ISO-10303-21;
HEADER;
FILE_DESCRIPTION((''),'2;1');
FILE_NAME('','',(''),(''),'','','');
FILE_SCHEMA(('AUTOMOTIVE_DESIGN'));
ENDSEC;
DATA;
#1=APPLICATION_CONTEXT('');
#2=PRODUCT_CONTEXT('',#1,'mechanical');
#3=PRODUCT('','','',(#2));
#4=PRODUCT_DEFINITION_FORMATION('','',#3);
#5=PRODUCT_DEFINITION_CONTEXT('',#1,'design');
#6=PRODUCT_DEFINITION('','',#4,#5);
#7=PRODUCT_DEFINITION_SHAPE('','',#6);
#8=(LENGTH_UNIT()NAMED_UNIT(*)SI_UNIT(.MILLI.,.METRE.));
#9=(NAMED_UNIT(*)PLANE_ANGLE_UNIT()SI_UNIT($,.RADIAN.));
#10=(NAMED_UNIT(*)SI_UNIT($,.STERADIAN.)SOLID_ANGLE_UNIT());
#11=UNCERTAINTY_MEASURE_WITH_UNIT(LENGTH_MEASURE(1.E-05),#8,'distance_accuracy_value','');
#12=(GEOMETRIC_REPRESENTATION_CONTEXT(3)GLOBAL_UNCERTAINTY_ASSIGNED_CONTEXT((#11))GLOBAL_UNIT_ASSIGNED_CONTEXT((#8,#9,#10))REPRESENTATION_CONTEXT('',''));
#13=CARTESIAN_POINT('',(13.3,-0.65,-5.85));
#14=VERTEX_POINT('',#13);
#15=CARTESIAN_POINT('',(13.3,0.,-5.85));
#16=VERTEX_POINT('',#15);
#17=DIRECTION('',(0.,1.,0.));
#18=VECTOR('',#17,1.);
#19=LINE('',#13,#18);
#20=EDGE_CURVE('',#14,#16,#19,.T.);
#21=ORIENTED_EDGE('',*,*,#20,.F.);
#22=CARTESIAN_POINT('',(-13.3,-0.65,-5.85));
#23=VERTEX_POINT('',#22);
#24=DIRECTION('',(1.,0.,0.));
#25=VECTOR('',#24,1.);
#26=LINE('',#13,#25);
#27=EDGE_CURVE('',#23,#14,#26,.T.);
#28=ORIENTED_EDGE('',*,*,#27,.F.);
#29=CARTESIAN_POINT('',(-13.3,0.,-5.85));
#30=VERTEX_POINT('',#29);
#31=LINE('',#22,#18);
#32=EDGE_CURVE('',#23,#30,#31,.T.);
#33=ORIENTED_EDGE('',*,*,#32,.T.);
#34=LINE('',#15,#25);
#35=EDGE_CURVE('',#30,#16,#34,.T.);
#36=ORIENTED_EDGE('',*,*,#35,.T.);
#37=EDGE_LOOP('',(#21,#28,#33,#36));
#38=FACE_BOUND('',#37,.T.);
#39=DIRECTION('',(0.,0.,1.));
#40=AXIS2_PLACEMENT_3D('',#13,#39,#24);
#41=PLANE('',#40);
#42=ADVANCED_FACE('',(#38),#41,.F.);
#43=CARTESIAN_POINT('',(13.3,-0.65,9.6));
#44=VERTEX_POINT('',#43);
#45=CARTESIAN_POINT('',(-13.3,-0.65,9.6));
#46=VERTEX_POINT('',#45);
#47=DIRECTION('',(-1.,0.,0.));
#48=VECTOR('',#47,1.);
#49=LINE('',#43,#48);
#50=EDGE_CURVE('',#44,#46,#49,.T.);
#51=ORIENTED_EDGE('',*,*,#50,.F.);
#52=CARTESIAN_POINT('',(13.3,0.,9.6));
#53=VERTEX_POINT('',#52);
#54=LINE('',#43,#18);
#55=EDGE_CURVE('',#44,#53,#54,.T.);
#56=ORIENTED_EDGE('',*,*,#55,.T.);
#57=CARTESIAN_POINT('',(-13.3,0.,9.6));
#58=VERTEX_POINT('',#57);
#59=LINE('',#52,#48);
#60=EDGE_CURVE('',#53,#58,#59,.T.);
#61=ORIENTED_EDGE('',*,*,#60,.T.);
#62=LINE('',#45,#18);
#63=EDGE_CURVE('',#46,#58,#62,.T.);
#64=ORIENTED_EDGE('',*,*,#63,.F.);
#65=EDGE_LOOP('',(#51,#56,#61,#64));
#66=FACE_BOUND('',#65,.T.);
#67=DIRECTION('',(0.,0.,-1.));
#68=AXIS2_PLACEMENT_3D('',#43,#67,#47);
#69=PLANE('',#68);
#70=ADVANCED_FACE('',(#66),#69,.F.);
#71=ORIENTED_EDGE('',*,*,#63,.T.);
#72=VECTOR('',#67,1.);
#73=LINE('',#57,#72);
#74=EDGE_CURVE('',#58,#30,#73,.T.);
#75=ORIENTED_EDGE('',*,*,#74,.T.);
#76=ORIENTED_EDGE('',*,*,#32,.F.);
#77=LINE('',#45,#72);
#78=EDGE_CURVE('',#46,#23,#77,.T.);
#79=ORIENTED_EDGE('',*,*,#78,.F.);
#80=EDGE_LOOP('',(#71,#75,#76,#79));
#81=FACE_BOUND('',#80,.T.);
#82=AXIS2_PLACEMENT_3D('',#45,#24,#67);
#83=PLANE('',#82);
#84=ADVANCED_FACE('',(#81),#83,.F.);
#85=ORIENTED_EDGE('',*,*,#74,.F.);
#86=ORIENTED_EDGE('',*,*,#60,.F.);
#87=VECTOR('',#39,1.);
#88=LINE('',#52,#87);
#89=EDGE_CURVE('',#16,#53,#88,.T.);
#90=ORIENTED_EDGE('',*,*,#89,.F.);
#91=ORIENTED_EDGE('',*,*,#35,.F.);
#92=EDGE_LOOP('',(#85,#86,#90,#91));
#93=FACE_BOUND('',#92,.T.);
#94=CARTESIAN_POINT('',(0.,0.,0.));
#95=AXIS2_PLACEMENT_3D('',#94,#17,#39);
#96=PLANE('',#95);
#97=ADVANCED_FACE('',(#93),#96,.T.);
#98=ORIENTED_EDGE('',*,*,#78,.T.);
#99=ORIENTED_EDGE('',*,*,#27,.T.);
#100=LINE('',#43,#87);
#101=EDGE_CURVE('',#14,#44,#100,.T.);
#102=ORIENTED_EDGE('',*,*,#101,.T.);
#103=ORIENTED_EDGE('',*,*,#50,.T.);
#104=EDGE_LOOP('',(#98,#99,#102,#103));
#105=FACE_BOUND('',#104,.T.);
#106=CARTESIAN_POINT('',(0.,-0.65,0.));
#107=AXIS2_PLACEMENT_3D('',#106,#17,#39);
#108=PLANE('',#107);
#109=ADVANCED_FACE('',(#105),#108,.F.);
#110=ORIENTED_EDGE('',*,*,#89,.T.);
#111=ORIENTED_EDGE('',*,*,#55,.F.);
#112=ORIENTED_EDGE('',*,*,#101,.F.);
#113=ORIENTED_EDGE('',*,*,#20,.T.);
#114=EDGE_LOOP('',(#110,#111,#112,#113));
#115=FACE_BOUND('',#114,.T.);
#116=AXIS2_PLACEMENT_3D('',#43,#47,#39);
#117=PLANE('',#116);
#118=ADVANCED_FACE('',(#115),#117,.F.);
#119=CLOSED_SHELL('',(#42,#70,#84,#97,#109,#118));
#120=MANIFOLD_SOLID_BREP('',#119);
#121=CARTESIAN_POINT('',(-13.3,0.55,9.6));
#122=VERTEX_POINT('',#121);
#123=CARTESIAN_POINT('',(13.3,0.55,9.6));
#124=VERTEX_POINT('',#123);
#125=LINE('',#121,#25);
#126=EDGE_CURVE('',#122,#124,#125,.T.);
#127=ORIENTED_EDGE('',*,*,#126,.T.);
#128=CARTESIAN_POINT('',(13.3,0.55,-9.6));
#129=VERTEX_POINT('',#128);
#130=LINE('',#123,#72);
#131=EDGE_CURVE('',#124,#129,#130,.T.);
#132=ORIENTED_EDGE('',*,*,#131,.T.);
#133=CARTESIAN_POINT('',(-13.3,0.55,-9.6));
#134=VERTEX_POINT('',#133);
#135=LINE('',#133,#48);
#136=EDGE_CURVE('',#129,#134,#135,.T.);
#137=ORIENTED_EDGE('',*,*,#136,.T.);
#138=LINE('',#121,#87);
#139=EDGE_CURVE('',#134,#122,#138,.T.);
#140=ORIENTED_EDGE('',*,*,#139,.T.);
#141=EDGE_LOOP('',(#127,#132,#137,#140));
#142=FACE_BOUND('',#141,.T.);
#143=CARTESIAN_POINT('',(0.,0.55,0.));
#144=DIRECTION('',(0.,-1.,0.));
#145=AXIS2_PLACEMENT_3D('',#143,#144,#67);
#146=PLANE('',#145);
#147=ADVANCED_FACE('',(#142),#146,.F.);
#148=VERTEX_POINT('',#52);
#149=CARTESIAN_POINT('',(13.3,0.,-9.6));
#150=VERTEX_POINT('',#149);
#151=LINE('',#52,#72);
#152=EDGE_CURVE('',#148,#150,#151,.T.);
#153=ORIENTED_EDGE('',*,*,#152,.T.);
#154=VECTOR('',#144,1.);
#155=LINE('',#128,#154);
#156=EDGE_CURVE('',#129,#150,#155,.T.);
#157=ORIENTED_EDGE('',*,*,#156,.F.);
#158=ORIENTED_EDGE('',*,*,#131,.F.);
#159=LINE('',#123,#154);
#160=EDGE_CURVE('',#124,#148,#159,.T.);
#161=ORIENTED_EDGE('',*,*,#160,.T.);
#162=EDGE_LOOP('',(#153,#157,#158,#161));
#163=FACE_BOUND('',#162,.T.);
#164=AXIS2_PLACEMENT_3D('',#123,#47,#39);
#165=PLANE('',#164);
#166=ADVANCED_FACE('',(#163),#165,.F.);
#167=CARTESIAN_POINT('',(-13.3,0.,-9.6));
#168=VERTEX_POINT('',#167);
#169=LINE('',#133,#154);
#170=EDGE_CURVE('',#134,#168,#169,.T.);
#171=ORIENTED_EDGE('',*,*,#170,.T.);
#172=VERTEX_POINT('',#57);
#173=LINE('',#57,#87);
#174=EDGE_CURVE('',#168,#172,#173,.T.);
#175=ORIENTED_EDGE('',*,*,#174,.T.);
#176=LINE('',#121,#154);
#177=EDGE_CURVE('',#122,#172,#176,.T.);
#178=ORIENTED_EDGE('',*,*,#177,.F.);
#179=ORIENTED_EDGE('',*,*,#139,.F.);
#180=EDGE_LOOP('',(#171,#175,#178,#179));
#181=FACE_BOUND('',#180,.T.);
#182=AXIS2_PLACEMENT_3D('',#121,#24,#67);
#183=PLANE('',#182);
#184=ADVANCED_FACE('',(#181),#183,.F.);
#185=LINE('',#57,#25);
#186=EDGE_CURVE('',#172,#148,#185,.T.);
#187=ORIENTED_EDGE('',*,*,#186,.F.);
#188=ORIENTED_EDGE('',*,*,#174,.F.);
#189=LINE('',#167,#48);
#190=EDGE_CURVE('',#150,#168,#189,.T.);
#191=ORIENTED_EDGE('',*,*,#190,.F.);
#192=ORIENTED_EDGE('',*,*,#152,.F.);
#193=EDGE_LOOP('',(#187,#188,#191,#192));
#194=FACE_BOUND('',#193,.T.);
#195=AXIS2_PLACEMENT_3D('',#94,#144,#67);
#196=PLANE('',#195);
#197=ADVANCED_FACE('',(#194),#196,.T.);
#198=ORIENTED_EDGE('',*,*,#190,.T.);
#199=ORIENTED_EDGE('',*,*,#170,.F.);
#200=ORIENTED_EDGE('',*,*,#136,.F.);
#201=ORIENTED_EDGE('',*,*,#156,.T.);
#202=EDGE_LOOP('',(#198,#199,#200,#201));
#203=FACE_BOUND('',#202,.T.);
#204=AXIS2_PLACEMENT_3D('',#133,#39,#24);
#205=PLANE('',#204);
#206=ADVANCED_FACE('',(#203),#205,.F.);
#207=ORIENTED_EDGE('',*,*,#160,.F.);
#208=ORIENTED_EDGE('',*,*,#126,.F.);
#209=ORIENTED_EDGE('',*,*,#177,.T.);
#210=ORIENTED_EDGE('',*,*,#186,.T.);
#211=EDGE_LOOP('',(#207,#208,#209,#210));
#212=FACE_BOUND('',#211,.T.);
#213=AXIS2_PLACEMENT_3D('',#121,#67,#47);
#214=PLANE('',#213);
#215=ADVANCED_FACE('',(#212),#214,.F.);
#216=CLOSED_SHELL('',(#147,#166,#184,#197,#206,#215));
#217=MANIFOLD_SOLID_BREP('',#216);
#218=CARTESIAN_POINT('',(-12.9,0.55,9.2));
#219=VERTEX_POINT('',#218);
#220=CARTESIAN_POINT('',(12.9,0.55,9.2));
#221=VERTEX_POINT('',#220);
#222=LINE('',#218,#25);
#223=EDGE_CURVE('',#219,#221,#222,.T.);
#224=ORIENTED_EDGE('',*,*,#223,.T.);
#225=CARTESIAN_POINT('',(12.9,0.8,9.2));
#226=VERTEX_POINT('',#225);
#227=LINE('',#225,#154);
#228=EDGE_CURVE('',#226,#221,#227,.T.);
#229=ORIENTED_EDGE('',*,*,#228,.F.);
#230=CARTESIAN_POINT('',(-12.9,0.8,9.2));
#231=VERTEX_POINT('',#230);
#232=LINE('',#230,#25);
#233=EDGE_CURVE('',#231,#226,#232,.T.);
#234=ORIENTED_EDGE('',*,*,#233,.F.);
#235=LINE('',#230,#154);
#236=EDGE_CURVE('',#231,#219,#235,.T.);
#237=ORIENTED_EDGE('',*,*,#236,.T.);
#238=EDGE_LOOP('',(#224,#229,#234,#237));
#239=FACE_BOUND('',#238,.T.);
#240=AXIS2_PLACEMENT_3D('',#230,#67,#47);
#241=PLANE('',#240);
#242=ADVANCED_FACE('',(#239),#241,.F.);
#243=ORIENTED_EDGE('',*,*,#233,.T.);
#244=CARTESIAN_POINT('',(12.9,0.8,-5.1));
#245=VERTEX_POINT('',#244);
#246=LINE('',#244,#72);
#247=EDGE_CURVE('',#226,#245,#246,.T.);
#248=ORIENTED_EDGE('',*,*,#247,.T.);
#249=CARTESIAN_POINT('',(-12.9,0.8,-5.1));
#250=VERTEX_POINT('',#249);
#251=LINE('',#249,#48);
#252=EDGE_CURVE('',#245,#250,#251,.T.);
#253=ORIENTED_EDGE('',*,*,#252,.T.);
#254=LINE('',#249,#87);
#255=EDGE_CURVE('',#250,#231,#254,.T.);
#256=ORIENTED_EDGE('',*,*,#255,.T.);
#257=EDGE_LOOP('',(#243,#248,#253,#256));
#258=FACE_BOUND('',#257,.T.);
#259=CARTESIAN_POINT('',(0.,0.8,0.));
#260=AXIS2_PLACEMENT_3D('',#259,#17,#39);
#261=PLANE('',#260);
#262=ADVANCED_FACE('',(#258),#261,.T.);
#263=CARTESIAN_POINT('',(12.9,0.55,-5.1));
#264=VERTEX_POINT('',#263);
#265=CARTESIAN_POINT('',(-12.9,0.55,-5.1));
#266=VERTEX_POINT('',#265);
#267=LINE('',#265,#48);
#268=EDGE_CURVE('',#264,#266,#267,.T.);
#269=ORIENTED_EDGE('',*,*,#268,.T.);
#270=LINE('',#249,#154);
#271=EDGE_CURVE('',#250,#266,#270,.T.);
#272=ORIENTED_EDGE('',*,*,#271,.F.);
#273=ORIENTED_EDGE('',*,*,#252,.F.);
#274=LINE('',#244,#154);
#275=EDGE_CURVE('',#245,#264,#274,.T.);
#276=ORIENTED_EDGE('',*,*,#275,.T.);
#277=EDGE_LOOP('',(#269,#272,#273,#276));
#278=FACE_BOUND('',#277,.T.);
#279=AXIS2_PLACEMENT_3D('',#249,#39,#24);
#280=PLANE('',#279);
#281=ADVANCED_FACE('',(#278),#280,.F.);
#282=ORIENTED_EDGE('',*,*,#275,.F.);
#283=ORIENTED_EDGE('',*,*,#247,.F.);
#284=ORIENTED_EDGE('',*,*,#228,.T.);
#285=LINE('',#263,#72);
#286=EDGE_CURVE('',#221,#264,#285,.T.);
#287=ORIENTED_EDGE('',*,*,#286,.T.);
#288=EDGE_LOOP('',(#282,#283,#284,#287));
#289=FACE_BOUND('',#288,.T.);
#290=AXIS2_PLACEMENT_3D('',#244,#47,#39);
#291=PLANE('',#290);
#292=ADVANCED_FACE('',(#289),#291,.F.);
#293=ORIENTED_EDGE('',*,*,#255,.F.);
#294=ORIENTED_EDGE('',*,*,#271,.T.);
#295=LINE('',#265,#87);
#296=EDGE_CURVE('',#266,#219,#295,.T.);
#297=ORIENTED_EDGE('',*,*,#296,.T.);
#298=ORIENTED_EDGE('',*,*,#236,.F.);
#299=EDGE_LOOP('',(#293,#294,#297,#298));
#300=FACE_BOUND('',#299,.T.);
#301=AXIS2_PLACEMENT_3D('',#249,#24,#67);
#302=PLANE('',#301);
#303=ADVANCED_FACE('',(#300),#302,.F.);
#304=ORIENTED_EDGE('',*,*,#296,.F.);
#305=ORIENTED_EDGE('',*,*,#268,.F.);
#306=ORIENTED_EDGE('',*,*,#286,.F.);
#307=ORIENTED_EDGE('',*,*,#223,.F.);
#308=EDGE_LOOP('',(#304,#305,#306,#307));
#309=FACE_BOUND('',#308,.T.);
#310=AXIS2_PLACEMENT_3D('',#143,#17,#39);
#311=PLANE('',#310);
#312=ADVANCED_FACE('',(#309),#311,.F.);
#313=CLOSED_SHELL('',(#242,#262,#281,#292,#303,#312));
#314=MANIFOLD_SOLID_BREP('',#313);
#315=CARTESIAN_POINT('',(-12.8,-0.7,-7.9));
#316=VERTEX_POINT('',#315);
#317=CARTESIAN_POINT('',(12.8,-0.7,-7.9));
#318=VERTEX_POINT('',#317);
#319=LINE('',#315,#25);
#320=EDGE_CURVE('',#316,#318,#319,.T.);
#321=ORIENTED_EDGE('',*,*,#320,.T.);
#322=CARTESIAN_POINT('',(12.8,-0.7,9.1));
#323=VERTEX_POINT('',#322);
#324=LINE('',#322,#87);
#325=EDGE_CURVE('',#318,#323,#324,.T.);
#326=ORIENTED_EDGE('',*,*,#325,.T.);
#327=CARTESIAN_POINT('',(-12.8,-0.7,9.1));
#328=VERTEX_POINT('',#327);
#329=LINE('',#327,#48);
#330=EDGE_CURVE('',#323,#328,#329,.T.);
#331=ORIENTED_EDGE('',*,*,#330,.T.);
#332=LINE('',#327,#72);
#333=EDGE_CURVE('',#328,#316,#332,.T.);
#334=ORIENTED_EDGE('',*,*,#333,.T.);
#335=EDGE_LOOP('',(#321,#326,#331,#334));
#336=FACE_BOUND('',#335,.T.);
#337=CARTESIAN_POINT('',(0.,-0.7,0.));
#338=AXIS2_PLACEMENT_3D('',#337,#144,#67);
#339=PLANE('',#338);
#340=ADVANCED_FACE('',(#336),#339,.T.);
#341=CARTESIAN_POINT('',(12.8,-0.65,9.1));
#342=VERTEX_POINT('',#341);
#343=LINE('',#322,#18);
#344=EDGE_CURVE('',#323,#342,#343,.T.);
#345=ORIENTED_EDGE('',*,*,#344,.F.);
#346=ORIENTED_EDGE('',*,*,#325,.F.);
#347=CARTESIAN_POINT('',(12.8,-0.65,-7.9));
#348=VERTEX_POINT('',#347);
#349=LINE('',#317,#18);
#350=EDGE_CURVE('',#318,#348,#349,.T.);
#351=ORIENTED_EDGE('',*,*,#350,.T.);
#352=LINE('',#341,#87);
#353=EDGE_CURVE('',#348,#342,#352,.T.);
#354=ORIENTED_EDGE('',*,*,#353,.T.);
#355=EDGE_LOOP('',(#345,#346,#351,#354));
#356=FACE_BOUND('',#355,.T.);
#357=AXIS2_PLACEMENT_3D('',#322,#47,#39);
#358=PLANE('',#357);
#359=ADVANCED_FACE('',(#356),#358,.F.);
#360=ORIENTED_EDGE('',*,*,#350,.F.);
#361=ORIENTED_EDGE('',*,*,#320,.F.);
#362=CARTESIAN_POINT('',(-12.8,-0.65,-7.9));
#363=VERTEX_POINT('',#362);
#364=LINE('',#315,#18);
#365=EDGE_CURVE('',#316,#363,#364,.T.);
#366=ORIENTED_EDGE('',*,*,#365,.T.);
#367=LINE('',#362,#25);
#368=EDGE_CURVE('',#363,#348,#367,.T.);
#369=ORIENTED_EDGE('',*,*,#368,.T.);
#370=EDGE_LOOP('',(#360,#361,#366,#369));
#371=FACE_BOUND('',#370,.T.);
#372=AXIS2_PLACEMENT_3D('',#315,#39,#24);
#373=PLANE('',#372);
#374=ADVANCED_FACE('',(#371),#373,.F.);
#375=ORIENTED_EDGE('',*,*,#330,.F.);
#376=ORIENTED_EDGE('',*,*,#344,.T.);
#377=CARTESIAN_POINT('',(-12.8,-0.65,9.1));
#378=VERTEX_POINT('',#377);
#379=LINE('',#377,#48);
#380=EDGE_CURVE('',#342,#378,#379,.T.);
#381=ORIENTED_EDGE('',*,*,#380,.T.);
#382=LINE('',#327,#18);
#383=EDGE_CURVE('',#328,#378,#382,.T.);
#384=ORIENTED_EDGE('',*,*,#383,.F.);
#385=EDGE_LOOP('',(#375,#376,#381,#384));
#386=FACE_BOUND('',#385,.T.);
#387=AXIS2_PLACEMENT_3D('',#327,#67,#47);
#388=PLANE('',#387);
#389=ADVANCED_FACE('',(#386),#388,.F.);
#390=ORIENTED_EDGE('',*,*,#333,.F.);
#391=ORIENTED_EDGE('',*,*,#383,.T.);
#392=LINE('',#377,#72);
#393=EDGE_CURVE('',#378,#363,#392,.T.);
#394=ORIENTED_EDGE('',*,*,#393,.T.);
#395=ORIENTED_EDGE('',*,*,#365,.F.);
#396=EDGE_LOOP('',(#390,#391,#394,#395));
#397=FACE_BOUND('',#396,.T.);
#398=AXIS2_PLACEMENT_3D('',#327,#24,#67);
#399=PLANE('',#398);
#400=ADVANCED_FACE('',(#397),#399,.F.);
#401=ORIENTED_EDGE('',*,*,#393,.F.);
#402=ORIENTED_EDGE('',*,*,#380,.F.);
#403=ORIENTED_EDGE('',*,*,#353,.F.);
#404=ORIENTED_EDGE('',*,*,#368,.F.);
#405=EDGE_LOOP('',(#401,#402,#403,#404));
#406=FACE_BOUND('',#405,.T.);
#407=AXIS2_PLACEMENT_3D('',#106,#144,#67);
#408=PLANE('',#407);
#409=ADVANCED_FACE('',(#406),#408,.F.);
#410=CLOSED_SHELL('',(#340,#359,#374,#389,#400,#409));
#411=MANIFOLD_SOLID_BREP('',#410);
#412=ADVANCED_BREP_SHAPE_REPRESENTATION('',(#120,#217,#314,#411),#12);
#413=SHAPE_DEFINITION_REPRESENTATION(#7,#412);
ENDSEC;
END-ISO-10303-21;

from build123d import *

# Parameters (mm, degrees)
SKETCH1_W           = 26.6
SKETCH1_H           = 19.2
BOSS_EXTRUDE1_DEPTH = 0.55
SKETCH3_W           = 26.6
SKETCH3_H           = 15.45
BOSS_EXTRUDE2_DEPTH = 0.65
SKETCH4_W           = 25.6
SKETCH4_H           = 17
BOSS_EXTRUDE3_DEPTH = 0.05
SKETCH2_W           = 25.8
SKETCH2_H           = 14.3
BOSS_EXTRUDE4_DEPTH = 0.25


with BuildPart() as part:
    # Sketch1 → Boss-Extrude1 (new body)
    with BuildSketch(Plane(origin=(0, 0, 0), x_dir=(1, 0, 0), z_dir=(0, 1, 0))):
        Rectangle(SKETCH1_W, SKETCH1_H)
    extrude(amount=BOSS_EXTRUDE1_DEPTH)


with BuildPart() as body_2:
    # Sketch3 → Boss-Extrude2 (new body)
    with BuildSketch(Plane.XZ):
        with Locations((0, 1.875)):
            Rectangle(SKETCH3_W, SKETCH3_H)
    extrude(amount=BOSS_EXTRUDE2_DEPTH)


with BuildPart() as body_3:
    # Sketch4 → Boss-Extrude3 (new body)
    with BuildSketch(Plane.XZ.offset(0.65)):
        with Locations((0, 0.6)):
            Rectangle(SKETCH4_W, SKETCH4_H)
    extrude(amount=BOSS_EXTRUDE3_DEPTH)


with BuildPart() as body_4:
    # Sketch2 → Boss-Extrude4 (new body)
    with BuildSketch(Plane(origin=(0, 0.55, 0), x_dir=(1, 0, 0), z_dir=(0, 1, 0))):
        with Locations((0, -2.05)):
            Rectangle(SKETCH2_W, SKETCH2_H)
    extrude(amount=BOSS_EXTRUDE4_DEPTH)


solid = Compound([part.part, body_2.part, body_3.part, body_4.part])
